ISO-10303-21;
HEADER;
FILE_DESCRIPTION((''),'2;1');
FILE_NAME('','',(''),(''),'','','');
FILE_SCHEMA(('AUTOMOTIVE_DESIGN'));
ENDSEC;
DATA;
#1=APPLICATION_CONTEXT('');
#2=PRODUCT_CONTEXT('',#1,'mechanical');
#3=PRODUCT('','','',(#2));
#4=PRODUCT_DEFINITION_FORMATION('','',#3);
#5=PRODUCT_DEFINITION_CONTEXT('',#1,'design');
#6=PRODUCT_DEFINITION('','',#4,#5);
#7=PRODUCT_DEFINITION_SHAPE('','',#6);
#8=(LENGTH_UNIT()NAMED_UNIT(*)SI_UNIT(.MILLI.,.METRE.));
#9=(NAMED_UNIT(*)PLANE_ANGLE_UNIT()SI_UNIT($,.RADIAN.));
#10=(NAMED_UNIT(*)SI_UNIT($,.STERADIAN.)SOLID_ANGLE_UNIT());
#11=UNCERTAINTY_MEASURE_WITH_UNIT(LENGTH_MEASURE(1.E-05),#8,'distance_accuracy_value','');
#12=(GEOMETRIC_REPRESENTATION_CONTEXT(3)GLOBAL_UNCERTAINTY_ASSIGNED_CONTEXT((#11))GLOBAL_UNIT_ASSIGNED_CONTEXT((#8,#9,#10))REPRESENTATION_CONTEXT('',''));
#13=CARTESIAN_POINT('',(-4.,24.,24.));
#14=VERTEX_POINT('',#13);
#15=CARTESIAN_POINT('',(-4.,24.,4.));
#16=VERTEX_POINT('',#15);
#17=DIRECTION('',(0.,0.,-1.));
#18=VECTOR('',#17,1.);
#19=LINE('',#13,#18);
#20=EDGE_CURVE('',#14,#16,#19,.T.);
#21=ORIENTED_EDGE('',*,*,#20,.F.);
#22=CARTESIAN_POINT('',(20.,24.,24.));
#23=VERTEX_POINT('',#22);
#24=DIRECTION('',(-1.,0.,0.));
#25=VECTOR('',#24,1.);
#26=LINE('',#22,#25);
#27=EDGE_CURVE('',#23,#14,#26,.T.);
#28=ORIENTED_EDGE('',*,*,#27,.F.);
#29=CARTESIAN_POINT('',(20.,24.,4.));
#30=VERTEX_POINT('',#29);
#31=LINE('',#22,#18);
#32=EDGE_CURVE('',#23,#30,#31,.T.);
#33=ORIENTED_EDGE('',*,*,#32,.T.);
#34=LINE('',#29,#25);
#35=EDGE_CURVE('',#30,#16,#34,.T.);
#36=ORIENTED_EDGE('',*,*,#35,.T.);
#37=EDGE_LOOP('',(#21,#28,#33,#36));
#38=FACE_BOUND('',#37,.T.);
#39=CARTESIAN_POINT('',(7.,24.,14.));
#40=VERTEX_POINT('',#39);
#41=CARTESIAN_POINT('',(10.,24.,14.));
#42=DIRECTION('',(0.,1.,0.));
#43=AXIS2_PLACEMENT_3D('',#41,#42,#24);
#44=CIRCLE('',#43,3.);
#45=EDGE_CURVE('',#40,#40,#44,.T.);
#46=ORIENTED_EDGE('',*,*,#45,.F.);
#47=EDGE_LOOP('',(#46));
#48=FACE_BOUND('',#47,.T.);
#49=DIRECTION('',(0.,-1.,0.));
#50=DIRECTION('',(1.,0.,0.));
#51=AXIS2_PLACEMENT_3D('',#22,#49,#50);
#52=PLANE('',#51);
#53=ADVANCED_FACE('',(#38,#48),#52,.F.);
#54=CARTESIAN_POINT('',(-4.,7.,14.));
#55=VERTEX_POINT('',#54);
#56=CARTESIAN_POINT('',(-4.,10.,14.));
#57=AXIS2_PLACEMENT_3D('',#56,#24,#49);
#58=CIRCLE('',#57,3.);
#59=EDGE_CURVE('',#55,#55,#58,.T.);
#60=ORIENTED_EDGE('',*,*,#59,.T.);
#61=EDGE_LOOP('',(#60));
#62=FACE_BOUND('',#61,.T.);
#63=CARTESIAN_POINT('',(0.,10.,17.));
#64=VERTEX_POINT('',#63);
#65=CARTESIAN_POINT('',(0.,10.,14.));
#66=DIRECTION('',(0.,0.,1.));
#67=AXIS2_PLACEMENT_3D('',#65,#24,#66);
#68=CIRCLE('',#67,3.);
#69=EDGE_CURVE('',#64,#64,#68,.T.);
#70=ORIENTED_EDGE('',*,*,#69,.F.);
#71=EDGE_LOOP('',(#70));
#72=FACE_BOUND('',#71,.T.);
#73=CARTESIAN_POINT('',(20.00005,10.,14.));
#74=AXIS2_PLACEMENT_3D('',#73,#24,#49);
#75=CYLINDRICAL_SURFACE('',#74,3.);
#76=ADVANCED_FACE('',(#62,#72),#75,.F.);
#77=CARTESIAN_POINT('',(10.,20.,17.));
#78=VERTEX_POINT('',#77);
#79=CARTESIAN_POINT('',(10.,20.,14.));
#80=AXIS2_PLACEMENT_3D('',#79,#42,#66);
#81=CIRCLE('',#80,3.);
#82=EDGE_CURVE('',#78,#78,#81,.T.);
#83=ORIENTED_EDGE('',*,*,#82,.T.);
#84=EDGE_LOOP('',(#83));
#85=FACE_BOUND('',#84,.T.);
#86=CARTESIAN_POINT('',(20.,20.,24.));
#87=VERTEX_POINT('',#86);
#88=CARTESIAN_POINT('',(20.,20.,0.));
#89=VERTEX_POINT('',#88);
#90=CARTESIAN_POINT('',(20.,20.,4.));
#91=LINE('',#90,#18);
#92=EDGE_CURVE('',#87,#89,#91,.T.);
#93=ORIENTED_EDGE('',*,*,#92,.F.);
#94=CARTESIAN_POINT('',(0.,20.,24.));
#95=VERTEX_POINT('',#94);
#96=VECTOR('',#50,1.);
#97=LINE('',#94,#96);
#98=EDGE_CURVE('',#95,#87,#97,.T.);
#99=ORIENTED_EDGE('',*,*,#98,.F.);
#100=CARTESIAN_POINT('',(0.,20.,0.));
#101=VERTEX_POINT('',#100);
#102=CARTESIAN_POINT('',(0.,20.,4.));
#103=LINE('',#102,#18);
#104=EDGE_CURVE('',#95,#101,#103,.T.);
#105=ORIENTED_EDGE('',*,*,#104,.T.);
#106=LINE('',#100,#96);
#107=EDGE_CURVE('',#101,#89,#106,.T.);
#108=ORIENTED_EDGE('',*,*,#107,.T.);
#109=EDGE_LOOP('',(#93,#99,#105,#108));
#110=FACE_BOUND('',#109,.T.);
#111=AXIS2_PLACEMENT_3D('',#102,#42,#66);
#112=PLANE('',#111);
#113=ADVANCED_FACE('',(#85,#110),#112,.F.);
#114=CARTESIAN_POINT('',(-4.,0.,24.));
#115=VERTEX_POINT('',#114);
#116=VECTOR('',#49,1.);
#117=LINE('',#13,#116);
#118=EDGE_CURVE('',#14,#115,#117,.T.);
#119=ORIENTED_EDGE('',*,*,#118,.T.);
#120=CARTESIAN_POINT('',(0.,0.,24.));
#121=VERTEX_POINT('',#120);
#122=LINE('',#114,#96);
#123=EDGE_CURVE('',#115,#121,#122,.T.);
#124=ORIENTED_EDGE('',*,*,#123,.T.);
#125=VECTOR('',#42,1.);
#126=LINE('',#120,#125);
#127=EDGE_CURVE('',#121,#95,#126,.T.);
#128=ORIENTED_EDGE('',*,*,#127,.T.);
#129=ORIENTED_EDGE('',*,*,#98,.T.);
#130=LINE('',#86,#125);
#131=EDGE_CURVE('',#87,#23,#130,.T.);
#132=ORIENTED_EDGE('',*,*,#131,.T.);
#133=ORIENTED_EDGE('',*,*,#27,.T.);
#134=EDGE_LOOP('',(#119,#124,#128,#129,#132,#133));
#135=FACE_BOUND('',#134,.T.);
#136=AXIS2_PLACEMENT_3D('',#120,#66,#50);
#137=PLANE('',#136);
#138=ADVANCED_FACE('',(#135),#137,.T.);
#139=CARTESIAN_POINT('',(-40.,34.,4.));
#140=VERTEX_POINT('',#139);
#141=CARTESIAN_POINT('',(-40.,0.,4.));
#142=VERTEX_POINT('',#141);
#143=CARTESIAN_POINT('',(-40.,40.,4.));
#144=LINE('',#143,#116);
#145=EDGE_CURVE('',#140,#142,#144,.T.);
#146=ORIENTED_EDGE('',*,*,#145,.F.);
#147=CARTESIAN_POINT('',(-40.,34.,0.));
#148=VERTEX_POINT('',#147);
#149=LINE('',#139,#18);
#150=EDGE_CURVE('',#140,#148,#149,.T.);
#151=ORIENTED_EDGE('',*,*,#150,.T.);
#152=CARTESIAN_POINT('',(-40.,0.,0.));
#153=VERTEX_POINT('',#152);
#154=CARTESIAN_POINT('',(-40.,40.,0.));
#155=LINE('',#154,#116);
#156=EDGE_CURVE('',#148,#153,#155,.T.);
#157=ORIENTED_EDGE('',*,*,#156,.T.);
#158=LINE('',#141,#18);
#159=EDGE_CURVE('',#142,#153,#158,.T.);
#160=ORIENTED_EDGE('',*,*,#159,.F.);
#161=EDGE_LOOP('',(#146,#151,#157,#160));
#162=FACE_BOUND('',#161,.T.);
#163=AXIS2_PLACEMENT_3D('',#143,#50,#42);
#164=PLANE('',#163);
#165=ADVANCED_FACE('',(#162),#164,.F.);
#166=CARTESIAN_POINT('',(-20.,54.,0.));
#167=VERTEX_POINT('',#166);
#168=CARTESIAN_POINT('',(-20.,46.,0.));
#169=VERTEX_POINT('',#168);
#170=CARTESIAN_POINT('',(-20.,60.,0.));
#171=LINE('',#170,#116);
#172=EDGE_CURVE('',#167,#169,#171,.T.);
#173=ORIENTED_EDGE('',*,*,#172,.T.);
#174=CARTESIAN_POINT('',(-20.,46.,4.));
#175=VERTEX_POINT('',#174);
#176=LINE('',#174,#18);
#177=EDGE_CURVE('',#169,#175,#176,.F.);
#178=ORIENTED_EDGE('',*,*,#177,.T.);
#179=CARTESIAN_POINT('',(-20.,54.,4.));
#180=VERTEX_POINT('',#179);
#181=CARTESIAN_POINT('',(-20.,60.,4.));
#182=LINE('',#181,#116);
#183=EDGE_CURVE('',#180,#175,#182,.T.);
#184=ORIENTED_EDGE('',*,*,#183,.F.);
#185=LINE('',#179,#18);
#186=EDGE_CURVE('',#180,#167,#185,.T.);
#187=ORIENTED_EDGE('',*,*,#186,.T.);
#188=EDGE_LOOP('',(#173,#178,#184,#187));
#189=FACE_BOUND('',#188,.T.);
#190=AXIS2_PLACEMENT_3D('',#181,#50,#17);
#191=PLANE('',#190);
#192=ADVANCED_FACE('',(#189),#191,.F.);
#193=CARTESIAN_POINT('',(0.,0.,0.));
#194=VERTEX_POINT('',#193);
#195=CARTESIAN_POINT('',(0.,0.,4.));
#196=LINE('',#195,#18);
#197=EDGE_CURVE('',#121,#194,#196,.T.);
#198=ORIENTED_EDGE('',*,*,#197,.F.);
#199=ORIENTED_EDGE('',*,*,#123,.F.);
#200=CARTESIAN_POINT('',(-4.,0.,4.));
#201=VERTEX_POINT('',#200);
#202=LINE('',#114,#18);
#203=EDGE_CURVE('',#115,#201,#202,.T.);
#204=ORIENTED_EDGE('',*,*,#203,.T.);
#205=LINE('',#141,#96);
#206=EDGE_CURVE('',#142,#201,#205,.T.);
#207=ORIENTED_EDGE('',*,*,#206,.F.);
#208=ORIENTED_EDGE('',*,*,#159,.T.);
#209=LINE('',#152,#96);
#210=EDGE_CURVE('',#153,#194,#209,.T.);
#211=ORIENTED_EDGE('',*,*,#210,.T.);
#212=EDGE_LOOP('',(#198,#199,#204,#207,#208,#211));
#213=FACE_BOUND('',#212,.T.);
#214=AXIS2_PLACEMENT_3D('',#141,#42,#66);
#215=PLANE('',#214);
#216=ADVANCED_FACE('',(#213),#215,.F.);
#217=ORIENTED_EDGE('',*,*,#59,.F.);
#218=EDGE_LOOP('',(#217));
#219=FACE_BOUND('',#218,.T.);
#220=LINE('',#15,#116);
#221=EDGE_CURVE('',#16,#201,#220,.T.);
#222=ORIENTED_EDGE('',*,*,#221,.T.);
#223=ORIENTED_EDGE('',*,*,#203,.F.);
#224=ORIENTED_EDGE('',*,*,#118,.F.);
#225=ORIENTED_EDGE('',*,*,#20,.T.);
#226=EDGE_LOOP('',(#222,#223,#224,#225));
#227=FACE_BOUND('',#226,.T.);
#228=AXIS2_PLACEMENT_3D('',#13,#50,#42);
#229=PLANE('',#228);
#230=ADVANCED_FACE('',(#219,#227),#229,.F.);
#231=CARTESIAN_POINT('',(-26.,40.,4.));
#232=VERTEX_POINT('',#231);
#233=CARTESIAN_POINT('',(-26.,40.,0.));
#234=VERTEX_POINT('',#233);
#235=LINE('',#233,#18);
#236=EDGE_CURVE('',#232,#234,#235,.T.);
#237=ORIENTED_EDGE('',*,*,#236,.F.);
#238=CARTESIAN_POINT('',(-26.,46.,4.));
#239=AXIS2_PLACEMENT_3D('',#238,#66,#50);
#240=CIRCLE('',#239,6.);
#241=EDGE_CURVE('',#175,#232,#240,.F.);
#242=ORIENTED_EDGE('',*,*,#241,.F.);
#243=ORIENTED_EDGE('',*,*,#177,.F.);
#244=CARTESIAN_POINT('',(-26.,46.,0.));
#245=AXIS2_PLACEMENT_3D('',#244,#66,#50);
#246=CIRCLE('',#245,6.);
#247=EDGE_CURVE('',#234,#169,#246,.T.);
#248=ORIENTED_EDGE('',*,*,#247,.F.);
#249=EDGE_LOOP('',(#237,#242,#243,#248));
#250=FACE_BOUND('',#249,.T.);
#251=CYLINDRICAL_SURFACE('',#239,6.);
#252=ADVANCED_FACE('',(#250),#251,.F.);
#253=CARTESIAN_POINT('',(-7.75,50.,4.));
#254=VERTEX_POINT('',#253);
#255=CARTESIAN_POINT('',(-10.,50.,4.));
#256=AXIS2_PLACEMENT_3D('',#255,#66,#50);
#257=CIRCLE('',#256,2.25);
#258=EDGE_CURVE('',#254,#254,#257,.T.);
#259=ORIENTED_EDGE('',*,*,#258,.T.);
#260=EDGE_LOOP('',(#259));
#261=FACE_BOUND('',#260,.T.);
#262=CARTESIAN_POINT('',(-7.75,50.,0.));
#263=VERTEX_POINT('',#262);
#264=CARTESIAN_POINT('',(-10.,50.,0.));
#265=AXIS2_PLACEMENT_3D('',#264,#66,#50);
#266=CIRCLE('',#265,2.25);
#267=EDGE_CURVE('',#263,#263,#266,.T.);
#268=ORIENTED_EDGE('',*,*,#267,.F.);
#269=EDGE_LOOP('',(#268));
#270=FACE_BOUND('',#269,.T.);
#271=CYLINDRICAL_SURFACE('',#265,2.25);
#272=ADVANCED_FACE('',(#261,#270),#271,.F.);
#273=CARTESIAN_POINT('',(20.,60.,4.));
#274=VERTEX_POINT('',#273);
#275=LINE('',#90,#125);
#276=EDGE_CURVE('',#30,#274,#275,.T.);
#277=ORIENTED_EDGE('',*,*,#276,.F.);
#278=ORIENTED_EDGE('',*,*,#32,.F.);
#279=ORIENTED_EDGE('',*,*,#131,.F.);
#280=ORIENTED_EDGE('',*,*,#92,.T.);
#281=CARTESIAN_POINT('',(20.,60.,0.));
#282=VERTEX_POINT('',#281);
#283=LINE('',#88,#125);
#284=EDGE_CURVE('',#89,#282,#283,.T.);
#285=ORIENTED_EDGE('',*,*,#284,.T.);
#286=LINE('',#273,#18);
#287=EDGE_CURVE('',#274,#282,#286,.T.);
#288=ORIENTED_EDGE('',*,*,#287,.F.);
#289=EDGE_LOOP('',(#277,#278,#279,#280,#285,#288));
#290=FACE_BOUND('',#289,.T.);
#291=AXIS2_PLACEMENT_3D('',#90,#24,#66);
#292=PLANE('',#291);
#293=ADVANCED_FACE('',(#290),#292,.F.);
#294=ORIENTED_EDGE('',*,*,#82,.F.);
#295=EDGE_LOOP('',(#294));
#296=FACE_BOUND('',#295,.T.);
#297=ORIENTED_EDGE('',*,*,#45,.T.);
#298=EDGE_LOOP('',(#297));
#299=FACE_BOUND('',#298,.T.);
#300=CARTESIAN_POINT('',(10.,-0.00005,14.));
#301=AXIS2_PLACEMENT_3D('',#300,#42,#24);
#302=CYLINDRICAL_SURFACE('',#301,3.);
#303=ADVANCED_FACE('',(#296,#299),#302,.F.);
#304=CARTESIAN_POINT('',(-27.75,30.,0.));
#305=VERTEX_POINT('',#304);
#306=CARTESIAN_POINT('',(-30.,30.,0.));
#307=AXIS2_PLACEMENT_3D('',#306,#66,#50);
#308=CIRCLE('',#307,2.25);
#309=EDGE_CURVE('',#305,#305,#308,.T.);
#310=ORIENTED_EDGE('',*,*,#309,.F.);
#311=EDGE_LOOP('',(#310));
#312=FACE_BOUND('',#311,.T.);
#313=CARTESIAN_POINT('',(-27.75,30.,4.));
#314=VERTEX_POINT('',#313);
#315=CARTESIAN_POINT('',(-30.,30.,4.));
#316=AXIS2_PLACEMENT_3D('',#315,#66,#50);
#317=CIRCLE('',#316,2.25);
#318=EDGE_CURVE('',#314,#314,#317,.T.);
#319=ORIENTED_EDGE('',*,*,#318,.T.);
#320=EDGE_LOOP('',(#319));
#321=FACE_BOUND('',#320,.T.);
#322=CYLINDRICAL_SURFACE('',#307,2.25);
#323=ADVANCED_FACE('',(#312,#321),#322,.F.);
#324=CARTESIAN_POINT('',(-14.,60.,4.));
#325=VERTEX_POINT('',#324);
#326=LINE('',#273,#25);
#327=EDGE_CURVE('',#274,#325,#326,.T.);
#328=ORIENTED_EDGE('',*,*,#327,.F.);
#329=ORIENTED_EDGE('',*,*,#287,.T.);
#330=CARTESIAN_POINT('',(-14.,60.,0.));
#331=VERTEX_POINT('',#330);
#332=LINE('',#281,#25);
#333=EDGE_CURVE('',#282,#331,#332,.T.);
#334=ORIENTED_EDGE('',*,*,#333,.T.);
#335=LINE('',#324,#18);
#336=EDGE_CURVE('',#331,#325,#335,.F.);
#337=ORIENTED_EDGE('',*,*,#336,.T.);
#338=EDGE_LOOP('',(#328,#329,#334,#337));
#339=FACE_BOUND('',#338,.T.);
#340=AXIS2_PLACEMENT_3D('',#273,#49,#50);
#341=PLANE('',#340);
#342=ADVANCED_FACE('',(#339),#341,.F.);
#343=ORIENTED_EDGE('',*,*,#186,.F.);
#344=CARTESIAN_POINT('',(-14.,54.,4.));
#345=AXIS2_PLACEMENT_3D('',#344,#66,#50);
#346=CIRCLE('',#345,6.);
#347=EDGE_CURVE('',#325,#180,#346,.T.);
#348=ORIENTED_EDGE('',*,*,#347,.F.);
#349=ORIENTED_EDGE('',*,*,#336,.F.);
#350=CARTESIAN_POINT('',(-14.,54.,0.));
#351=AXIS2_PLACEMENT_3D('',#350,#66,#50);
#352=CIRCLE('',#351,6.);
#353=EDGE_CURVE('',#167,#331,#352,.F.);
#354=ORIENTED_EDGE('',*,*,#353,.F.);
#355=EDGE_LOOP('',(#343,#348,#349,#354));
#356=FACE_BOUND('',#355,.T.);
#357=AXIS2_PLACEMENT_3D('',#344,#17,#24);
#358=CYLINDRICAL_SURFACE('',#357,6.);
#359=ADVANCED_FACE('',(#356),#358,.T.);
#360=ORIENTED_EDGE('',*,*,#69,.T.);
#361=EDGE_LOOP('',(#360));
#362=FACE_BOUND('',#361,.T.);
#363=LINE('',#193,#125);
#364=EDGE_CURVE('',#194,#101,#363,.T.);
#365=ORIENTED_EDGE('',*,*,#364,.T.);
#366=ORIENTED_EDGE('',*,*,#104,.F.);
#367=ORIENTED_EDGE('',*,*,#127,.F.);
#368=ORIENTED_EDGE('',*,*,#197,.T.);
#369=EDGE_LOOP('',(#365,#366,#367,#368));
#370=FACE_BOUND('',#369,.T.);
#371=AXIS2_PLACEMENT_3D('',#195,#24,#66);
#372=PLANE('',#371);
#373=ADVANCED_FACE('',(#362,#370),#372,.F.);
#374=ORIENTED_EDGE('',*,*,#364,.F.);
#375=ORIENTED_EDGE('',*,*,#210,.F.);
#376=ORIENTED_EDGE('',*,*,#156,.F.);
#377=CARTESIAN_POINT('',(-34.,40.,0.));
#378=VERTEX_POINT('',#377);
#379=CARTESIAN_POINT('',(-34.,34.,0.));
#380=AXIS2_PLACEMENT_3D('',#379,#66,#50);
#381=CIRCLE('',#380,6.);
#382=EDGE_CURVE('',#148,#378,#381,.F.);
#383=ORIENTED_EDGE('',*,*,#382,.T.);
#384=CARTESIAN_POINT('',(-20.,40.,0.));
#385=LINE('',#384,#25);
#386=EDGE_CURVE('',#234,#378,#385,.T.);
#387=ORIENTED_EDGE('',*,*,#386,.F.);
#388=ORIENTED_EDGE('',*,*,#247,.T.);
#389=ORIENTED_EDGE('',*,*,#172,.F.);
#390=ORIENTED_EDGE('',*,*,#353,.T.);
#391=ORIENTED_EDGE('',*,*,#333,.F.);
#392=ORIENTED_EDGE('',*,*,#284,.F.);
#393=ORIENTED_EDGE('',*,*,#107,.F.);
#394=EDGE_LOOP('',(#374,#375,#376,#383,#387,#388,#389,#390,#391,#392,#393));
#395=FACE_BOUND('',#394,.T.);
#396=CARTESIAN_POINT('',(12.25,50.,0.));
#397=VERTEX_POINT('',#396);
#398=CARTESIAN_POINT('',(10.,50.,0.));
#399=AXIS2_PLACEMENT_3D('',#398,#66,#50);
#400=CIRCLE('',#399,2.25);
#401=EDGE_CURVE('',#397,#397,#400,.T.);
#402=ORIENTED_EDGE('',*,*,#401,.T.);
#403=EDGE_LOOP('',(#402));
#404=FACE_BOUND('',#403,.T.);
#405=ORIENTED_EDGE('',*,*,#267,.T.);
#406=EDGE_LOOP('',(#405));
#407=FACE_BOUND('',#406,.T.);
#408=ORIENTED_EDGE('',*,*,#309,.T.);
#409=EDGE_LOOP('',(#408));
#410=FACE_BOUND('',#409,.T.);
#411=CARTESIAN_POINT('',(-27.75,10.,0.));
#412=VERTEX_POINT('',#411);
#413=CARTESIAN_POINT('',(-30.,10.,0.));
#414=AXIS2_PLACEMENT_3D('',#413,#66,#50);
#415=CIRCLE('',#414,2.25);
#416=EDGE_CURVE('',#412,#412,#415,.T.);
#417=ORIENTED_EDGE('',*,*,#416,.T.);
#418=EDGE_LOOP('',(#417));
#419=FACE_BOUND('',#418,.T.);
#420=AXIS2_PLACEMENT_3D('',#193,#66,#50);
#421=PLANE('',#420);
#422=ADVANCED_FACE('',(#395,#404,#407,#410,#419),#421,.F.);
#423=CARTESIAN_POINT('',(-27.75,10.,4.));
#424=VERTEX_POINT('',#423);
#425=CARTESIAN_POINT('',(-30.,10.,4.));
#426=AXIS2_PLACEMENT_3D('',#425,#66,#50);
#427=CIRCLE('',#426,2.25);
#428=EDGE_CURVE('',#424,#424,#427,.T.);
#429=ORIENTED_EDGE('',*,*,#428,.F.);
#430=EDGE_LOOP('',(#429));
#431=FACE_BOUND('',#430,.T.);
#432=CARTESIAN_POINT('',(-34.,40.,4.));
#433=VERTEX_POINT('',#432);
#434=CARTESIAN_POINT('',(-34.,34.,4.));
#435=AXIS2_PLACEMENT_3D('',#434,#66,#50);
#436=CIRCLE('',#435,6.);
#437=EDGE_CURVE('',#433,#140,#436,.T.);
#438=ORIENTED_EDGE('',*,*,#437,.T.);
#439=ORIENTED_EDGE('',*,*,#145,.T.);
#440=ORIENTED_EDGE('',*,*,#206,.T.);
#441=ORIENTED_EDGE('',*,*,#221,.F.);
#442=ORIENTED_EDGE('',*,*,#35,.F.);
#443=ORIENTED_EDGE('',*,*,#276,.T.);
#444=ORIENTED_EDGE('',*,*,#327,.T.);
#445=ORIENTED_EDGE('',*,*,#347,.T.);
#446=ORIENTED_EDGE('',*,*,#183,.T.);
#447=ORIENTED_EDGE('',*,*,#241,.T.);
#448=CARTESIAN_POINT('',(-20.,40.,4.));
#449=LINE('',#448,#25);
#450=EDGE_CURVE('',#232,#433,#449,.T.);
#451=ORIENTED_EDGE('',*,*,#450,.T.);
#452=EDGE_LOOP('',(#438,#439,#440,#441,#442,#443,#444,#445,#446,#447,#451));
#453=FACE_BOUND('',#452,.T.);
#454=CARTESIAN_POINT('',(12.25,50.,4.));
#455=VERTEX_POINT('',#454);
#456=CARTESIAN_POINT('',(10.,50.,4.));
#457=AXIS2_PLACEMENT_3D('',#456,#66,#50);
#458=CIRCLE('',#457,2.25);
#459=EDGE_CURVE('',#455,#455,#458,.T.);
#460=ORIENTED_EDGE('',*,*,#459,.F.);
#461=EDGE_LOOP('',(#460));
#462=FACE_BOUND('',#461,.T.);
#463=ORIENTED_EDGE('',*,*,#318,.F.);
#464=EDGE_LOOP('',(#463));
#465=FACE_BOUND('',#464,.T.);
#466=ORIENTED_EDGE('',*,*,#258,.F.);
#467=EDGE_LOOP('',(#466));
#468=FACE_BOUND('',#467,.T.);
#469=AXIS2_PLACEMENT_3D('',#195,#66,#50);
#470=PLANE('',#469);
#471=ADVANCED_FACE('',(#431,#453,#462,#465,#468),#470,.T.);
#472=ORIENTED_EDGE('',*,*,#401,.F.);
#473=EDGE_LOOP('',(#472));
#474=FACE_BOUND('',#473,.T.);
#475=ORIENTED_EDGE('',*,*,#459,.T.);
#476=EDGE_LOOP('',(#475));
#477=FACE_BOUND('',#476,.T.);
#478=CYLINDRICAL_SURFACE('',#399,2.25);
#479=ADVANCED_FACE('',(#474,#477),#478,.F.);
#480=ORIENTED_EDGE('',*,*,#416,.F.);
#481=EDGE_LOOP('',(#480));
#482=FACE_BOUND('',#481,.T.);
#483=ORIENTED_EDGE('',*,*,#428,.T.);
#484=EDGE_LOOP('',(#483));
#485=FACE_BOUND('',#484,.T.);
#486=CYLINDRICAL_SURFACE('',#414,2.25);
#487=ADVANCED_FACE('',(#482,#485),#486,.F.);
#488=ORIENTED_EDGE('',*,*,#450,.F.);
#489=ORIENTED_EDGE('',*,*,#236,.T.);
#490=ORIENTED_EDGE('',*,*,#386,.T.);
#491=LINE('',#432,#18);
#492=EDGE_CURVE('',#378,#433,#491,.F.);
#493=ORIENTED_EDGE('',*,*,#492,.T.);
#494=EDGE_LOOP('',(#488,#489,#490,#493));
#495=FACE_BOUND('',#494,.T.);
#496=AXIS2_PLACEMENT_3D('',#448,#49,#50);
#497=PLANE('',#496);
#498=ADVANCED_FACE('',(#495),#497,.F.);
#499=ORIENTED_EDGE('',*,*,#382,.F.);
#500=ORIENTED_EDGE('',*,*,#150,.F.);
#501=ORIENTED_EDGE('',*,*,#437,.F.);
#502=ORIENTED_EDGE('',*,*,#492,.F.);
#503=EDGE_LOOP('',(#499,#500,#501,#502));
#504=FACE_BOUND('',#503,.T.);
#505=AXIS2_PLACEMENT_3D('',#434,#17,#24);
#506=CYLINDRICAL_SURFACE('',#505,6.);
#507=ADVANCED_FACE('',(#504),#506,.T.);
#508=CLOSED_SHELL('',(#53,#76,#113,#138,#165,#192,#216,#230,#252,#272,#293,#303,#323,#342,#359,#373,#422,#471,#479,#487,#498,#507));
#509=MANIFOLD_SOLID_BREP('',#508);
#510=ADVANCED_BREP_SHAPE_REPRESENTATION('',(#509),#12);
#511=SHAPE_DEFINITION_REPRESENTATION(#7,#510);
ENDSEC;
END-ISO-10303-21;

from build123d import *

# Parameters (mm, degrees)
BOSS_EXTRU_1_DEPTH      = 4
BOSS_EXTRU_2_DEPTH      = 20
ESQUISSE3_R             = 3
ENL_V_MAT_EXTRU_1_DEPTH = 25
ESQUISSE4_R             = 3
ENL_V_MAT_EXTRU_2_DEPTH = 25
ESQUISSE5_R             = 2.25
ENL_V_MAT_EXTRU_3_DEPTH = 5
CONG_1_R                = 6


with BuildPart() as part:
    # Esquisse1 → Boss.-Extru.1 (new body)
    with BuildSketch(Plane.XY):
        Polygon((-20, 60), (-20, 40), (-40, 40), (-40, 0), (0, 0), (0, 20), (20, 20), (20, 60), align=None)
    extrude(amount=BOSS_EXTRU_1_DEPTH)

    # Esquisse2 → Boss.-Extru.2 (add)
    with BuildSketch(Plane.XY.offset(4)):
        Polygon((20, 20), (20, 24), (-4, 24), (-4, 0), (0, 0), (0, 20), align=None)
    extrude(amount=BOSS_EXTRU_2_DEPTH)

    # Esquisse3 → Enlèv. mat.-Extru.1 (cut, through all)
    with BuildSketch(Plane.ZY.offset(4)):
        with Locations(Location((14, 10, 0), (0, 0, 270))):  # turned: the seam where the file's is
            Circle(ESQUISSE3_R)
    extrude(amount=-ENL_V_MAT_EXTRU_1_DEPTH, mode=Mode.SUBTRACT)

    # Esquisse4 → Enlèv. mat.-Extru.2 (cut, through all)
    with BuildSketch(Plane(origin=(0, 24, 0), x_dir=(1, 0, 0), z_dir=(0, 1, 0))):
        with Locations(Location((10, -14, 0), (0, 0, 180))):  # turned: the seam where the file's is
            Circle(ESQUISSE4_R)
    extrude(amount=-ENL_V_MAT_EXTRU_2_DEPTH, mode=Mode.SUBTRACT)

    # Esquisse5 → Enlèv. mat.-Extru.3 (cut, through all)
    with BuildSketch(Plane.XY.offset(4)):
        with Locations((10, 50)):
            Circle(ESQUISSE5_R)
        with Locations((-10, 50)):
            Circle(ESQUISSE5_R)
        with Locations((-30, 30)):
            Circle(ESQUISSE5_R)
        with Locations((-30, 10)):
            Circle(ESQUISSE5_R)
    extrude(amount=-ENL_V_MAT_EXTRU_3_DEPTH, mode=Mode.SUBTRACT)

    # Congé1
    cong_1_edges = [part.edges().sort_by_distance(p)[0] for p in [
        (-40, 40, 2),
        (-20, 40, 2),
        (-20, 60, 2),
    ]]
    fillet(cong_1_edges, radius=CONG_1_R)


solid = part.part
